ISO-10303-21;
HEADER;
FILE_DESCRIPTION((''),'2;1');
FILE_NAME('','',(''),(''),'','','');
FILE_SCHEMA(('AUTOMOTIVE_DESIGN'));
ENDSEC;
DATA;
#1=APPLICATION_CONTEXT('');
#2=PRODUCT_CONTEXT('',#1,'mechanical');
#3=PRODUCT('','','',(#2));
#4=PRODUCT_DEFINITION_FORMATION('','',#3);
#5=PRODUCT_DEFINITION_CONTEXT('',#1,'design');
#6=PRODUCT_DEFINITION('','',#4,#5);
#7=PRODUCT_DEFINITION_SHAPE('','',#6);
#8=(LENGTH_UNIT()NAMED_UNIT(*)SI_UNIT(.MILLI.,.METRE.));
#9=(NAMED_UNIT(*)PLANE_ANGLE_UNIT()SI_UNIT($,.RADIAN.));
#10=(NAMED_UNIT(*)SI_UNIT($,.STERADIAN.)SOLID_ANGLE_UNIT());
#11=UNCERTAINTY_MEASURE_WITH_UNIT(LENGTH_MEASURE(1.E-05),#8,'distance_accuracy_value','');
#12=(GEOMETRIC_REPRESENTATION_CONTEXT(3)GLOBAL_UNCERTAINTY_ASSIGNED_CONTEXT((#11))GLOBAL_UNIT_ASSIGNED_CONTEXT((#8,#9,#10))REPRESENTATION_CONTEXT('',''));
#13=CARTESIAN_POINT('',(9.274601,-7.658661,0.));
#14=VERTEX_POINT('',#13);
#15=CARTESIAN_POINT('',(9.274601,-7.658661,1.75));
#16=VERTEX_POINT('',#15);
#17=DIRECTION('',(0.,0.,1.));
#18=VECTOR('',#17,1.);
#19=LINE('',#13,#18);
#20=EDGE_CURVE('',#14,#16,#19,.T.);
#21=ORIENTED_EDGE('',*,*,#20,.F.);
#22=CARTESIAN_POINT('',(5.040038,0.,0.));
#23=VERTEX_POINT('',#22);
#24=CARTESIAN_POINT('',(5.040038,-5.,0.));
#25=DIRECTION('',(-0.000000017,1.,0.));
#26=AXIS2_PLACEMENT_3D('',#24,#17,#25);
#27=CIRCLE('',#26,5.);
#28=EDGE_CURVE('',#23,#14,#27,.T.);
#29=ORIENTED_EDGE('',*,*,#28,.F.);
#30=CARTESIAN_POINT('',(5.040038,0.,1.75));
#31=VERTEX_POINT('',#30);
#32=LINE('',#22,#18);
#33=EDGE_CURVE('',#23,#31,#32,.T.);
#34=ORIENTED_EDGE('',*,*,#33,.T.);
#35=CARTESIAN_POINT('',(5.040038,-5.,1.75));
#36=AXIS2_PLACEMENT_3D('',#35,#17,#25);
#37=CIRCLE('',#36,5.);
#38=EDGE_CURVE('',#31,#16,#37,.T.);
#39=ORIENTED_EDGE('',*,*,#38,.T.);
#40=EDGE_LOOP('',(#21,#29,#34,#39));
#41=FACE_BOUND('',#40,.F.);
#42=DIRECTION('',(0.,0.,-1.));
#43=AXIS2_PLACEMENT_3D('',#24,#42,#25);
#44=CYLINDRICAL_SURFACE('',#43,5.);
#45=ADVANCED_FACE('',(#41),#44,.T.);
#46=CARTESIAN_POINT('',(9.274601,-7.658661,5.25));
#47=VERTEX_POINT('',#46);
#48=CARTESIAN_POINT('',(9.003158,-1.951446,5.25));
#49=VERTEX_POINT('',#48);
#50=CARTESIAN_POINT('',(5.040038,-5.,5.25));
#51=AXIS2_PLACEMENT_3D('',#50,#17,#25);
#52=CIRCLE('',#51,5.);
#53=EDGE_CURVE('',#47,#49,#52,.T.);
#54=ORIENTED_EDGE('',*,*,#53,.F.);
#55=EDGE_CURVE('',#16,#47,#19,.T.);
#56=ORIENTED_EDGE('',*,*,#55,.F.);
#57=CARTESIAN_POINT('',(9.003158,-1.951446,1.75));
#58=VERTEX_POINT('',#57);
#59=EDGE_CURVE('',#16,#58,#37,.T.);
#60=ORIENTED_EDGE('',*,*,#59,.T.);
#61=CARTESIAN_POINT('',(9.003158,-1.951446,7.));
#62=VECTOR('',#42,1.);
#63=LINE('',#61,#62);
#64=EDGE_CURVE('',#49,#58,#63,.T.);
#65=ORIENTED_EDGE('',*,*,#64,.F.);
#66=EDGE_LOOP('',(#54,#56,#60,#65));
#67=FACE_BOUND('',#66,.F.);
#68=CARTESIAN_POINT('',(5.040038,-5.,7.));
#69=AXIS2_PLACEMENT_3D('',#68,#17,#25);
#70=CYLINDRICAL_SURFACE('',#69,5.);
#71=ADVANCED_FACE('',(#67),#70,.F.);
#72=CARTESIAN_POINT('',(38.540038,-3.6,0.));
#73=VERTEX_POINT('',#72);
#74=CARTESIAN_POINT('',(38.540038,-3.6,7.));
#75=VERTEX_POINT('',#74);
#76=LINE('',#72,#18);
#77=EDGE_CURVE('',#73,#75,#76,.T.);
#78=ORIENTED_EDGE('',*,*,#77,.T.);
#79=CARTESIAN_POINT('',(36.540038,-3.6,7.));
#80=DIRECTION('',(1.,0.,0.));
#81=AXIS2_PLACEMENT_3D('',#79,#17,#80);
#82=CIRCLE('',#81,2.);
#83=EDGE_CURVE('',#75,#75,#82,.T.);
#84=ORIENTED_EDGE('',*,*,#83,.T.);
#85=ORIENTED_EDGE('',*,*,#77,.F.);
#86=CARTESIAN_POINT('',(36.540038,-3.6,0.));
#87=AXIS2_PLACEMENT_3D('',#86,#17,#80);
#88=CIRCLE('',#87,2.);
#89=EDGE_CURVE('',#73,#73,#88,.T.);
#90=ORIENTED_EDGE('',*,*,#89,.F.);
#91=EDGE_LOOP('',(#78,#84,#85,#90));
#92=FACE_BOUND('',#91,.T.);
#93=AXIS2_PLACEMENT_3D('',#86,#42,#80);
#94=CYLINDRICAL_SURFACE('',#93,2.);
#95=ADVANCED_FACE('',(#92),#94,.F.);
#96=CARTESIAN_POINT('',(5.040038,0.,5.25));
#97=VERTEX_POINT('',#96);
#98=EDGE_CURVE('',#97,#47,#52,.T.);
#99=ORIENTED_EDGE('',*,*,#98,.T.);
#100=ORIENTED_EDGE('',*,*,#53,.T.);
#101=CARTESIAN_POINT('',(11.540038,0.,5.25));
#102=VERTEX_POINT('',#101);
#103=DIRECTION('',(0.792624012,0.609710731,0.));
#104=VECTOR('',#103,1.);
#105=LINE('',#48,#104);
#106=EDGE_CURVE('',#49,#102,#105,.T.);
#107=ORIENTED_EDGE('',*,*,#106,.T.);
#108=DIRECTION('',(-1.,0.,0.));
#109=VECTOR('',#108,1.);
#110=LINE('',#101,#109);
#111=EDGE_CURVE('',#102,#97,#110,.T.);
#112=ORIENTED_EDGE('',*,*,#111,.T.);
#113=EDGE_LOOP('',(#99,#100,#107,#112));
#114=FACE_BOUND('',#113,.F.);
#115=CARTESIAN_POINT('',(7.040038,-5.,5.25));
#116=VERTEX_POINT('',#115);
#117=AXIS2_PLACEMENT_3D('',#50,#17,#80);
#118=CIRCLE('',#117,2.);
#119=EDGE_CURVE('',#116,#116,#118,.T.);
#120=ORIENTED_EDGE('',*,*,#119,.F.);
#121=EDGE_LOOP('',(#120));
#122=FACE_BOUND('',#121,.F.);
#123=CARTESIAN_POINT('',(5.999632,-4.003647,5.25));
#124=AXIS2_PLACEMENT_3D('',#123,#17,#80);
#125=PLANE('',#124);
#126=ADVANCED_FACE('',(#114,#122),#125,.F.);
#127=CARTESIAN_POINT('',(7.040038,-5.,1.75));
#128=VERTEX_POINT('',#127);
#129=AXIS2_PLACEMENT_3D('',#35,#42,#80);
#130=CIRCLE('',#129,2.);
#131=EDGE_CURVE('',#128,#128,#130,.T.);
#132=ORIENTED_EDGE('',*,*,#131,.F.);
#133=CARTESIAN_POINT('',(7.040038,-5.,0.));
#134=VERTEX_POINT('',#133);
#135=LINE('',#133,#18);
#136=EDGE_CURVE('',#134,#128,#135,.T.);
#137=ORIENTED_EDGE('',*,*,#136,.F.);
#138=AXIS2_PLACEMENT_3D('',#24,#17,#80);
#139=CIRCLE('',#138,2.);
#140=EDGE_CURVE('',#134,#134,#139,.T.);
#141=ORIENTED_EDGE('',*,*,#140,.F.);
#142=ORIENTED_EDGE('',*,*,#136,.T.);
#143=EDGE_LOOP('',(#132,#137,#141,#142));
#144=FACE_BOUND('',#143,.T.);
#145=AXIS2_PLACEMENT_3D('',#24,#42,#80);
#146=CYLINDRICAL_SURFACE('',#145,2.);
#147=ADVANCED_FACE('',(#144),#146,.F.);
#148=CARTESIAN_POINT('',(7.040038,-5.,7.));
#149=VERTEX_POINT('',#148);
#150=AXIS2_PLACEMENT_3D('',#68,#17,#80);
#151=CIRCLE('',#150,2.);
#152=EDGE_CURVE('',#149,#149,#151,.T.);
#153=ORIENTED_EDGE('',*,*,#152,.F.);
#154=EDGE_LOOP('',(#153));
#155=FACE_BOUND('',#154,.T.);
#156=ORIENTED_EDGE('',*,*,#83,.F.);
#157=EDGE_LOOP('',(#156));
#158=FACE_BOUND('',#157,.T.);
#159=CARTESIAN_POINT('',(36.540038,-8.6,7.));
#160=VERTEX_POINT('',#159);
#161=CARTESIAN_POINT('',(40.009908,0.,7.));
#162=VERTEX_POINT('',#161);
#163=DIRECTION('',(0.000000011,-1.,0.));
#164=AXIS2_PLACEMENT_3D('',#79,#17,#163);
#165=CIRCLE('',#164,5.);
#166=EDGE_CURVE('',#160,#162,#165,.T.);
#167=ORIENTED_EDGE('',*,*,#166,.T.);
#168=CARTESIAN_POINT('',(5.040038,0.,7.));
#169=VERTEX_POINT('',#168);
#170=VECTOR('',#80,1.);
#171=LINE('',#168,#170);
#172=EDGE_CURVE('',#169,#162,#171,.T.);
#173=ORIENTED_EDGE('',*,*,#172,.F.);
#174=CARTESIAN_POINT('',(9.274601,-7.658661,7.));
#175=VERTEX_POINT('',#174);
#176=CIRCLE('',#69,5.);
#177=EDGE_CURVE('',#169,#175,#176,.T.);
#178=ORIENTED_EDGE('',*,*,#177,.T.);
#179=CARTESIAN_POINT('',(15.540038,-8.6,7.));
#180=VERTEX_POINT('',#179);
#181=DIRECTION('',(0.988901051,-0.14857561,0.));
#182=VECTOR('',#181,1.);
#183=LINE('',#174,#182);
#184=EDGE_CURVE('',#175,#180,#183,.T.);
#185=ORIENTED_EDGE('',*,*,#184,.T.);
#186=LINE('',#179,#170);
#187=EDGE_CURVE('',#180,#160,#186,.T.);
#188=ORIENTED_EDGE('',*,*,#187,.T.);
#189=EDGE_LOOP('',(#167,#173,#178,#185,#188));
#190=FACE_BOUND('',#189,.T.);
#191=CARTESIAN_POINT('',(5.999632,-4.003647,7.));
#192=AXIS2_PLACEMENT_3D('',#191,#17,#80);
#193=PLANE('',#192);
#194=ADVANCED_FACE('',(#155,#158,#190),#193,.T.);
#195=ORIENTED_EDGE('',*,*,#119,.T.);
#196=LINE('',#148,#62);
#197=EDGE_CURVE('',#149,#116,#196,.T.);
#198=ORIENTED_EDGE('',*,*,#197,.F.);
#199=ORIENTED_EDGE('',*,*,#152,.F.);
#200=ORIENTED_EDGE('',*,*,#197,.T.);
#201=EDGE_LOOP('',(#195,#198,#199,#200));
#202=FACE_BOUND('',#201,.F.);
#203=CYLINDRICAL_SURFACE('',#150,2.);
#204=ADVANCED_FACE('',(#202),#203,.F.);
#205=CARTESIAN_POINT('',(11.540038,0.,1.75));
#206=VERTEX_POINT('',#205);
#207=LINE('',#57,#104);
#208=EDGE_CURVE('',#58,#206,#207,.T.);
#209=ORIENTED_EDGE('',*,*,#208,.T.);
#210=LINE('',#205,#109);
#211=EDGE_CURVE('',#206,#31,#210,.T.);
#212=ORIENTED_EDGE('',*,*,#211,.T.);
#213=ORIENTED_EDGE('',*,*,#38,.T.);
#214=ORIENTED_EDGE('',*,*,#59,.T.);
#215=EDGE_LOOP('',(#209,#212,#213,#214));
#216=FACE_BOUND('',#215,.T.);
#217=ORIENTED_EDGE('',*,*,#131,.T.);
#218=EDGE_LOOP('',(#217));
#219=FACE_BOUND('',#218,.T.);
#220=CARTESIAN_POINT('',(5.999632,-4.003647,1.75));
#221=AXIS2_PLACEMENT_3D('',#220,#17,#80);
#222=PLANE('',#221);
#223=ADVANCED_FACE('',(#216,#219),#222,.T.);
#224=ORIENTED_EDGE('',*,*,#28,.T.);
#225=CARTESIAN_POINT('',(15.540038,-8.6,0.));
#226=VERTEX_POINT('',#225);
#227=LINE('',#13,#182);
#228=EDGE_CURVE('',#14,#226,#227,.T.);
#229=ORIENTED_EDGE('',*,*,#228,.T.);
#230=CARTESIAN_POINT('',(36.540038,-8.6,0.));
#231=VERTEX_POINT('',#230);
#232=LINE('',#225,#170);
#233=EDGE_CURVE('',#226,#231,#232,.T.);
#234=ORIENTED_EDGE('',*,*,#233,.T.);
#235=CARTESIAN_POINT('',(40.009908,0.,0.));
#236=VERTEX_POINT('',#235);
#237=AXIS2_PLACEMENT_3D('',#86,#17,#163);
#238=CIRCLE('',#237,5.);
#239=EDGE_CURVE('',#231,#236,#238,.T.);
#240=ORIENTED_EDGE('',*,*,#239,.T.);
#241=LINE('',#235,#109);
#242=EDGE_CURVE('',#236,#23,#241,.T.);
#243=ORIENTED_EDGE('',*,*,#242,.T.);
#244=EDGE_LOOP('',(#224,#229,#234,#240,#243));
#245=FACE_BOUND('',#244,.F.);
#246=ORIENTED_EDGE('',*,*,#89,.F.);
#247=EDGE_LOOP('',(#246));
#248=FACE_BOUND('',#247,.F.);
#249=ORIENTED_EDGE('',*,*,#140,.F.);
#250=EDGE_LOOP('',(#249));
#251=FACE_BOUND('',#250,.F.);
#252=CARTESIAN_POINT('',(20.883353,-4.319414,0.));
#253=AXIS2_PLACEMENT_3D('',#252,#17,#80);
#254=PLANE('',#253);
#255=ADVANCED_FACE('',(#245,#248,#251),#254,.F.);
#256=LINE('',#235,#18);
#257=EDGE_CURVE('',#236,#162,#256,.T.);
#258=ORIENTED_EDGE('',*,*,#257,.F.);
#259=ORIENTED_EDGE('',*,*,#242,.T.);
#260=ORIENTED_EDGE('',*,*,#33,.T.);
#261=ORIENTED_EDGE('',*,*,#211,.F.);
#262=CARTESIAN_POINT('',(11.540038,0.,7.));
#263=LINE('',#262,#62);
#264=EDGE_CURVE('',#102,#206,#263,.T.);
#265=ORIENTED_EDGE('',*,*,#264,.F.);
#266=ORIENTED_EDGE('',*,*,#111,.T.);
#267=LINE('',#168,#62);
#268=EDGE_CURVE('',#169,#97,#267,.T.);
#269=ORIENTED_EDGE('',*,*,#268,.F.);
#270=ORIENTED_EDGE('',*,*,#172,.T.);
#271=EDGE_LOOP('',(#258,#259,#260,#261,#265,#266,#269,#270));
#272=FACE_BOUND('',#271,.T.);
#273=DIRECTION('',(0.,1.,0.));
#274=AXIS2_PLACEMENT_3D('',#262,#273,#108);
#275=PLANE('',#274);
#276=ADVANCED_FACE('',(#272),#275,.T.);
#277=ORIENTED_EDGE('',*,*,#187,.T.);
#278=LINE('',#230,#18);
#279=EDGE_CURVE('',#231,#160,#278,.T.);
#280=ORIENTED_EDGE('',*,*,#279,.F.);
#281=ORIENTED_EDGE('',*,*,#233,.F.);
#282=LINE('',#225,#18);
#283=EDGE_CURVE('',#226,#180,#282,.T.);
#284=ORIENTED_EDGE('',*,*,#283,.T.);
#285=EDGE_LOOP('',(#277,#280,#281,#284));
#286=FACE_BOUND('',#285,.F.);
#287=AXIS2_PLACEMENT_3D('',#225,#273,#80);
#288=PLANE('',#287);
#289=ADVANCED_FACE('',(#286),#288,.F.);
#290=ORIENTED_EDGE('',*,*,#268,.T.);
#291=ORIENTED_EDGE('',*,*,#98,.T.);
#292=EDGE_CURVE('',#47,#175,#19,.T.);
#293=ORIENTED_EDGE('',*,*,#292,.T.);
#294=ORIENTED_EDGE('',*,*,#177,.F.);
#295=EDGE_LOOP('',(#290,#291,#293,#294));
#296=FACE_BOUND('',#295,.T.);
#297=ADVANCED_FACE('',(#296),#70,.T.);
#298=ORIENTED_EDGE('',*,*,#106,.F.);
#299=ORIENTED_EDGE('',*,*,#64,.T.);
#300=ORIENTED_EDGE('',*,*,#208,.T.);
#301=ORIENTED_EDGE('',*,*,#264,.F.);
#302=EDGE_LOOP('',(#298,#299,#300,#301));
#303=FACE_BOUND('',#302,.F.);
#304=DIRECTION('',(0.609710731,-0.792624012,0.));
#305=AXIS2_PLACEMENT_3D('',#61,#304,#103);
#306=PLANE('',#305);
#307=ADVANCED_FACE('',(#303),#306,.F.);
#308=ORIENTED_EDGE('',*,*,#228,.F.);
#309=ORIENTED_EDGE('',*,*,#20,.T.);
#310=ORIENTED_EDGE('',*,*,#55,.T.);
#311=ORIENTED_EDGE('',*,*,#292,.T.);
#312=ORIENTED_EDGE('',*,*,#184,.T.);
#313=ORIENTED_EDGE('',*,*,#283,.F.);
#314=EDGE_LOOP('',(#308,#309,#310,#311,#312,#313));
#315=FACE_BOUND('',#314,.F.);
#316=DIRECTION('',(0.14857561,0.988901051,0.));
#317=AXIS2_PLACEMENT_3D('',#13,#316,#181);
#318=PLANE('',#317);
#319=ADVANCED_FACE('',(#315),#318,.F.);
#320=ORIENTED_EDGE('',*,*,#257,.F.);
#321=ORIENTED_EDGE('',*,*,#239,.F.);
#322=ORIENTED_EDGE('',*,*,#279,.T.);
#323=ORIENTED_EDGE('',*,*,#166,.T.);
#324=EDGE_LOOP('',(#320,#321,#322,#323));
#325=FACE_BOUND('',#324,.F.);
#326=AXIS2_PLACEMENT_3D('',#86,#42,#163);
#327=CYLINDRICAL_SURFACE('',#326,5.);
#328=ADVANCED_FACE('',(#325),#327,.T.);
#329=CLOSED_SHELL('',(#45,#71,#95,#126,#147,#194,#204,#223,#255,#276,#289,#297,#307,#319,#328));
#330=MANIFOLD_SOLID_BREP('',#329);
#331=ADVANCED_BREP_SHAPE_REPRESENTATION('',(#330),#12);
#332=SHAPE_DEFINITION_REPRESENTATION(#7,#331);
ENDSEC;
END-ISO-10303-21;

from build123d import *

# Parameters (mm, degrees)
F0_R     = 2
F1_DEPTH = 7
F3_DEPTH = 5.25
F4_DEPTH = 1.75
F5_R     = 2
F6_DEPTH = 1.75


with BuildPart() as f1:
    # F0 (on Top) → F1 (new body)
    with BuildSketch(Plane.XY):
        with BuildLine():
            Line((40.009908, 0), (5.040038, 0))
            ThreePointArc((5.040038, 0), (0.664349, -7.419369), (9.274601, -7.658661))
            Line((9.274601, -7.658661), (15.540038, -8.6))
            Line((15.540038, -8.6), (36.540038, -8.6))
            ThreePointArc((36.540038, -8.6), (41.176847, -5.470829), (40.009908, 0))
        make_face()
        with Locations((5.040038, -5)):
            Circle(F0_R, mode=Mode.SUBTRACT)
        with Locations((36.540038, -3.6)):
            Circle(F0_R, mode=Mode.SUBTRACT)
    extrude(amount=F1_DEPTH)

    # F2 (on face) → F3 (cut)
    with BuildSketch(Plane.XY.offset(7)):
        with BuildLine():
            Line((11.540038, 0), (5.040038, 0))
            ThreePointArc((5.040038, 0), (2.831279, -9.485687), (9.003158, -1.951446))
            Line((9.003158, -1.951446), (11.540038, 0))
        make_face()
    extrude(amount=-F3_DEPTH, mode=Mode.SUBTRACT)

    # F2 (on face) → F4 (join)
    with BuildSketch(Plane.XY.offset(7)):
        with BuildLine():
            Line((11.540038, 0), (5.040038, 0))
            ThreePointArc((5.040038, 0), (2.831279, -9.485687), (9.003158, -1.951446))
            Line((9.003158, -1.951446), (11.540038, 0))
        make_face()
    extrude(amount=-F4_DEPTH)

    # F5 (on face) → F6 (cut)
    with BuildSketch(Plane.XY.offset(7)):
        with Locations((5.040038, -5)):
            Circle(F5_R)
    extrude(amount=-F6_DEPTH, mode=Mode.SUBTRACT)


solid = f1.part
